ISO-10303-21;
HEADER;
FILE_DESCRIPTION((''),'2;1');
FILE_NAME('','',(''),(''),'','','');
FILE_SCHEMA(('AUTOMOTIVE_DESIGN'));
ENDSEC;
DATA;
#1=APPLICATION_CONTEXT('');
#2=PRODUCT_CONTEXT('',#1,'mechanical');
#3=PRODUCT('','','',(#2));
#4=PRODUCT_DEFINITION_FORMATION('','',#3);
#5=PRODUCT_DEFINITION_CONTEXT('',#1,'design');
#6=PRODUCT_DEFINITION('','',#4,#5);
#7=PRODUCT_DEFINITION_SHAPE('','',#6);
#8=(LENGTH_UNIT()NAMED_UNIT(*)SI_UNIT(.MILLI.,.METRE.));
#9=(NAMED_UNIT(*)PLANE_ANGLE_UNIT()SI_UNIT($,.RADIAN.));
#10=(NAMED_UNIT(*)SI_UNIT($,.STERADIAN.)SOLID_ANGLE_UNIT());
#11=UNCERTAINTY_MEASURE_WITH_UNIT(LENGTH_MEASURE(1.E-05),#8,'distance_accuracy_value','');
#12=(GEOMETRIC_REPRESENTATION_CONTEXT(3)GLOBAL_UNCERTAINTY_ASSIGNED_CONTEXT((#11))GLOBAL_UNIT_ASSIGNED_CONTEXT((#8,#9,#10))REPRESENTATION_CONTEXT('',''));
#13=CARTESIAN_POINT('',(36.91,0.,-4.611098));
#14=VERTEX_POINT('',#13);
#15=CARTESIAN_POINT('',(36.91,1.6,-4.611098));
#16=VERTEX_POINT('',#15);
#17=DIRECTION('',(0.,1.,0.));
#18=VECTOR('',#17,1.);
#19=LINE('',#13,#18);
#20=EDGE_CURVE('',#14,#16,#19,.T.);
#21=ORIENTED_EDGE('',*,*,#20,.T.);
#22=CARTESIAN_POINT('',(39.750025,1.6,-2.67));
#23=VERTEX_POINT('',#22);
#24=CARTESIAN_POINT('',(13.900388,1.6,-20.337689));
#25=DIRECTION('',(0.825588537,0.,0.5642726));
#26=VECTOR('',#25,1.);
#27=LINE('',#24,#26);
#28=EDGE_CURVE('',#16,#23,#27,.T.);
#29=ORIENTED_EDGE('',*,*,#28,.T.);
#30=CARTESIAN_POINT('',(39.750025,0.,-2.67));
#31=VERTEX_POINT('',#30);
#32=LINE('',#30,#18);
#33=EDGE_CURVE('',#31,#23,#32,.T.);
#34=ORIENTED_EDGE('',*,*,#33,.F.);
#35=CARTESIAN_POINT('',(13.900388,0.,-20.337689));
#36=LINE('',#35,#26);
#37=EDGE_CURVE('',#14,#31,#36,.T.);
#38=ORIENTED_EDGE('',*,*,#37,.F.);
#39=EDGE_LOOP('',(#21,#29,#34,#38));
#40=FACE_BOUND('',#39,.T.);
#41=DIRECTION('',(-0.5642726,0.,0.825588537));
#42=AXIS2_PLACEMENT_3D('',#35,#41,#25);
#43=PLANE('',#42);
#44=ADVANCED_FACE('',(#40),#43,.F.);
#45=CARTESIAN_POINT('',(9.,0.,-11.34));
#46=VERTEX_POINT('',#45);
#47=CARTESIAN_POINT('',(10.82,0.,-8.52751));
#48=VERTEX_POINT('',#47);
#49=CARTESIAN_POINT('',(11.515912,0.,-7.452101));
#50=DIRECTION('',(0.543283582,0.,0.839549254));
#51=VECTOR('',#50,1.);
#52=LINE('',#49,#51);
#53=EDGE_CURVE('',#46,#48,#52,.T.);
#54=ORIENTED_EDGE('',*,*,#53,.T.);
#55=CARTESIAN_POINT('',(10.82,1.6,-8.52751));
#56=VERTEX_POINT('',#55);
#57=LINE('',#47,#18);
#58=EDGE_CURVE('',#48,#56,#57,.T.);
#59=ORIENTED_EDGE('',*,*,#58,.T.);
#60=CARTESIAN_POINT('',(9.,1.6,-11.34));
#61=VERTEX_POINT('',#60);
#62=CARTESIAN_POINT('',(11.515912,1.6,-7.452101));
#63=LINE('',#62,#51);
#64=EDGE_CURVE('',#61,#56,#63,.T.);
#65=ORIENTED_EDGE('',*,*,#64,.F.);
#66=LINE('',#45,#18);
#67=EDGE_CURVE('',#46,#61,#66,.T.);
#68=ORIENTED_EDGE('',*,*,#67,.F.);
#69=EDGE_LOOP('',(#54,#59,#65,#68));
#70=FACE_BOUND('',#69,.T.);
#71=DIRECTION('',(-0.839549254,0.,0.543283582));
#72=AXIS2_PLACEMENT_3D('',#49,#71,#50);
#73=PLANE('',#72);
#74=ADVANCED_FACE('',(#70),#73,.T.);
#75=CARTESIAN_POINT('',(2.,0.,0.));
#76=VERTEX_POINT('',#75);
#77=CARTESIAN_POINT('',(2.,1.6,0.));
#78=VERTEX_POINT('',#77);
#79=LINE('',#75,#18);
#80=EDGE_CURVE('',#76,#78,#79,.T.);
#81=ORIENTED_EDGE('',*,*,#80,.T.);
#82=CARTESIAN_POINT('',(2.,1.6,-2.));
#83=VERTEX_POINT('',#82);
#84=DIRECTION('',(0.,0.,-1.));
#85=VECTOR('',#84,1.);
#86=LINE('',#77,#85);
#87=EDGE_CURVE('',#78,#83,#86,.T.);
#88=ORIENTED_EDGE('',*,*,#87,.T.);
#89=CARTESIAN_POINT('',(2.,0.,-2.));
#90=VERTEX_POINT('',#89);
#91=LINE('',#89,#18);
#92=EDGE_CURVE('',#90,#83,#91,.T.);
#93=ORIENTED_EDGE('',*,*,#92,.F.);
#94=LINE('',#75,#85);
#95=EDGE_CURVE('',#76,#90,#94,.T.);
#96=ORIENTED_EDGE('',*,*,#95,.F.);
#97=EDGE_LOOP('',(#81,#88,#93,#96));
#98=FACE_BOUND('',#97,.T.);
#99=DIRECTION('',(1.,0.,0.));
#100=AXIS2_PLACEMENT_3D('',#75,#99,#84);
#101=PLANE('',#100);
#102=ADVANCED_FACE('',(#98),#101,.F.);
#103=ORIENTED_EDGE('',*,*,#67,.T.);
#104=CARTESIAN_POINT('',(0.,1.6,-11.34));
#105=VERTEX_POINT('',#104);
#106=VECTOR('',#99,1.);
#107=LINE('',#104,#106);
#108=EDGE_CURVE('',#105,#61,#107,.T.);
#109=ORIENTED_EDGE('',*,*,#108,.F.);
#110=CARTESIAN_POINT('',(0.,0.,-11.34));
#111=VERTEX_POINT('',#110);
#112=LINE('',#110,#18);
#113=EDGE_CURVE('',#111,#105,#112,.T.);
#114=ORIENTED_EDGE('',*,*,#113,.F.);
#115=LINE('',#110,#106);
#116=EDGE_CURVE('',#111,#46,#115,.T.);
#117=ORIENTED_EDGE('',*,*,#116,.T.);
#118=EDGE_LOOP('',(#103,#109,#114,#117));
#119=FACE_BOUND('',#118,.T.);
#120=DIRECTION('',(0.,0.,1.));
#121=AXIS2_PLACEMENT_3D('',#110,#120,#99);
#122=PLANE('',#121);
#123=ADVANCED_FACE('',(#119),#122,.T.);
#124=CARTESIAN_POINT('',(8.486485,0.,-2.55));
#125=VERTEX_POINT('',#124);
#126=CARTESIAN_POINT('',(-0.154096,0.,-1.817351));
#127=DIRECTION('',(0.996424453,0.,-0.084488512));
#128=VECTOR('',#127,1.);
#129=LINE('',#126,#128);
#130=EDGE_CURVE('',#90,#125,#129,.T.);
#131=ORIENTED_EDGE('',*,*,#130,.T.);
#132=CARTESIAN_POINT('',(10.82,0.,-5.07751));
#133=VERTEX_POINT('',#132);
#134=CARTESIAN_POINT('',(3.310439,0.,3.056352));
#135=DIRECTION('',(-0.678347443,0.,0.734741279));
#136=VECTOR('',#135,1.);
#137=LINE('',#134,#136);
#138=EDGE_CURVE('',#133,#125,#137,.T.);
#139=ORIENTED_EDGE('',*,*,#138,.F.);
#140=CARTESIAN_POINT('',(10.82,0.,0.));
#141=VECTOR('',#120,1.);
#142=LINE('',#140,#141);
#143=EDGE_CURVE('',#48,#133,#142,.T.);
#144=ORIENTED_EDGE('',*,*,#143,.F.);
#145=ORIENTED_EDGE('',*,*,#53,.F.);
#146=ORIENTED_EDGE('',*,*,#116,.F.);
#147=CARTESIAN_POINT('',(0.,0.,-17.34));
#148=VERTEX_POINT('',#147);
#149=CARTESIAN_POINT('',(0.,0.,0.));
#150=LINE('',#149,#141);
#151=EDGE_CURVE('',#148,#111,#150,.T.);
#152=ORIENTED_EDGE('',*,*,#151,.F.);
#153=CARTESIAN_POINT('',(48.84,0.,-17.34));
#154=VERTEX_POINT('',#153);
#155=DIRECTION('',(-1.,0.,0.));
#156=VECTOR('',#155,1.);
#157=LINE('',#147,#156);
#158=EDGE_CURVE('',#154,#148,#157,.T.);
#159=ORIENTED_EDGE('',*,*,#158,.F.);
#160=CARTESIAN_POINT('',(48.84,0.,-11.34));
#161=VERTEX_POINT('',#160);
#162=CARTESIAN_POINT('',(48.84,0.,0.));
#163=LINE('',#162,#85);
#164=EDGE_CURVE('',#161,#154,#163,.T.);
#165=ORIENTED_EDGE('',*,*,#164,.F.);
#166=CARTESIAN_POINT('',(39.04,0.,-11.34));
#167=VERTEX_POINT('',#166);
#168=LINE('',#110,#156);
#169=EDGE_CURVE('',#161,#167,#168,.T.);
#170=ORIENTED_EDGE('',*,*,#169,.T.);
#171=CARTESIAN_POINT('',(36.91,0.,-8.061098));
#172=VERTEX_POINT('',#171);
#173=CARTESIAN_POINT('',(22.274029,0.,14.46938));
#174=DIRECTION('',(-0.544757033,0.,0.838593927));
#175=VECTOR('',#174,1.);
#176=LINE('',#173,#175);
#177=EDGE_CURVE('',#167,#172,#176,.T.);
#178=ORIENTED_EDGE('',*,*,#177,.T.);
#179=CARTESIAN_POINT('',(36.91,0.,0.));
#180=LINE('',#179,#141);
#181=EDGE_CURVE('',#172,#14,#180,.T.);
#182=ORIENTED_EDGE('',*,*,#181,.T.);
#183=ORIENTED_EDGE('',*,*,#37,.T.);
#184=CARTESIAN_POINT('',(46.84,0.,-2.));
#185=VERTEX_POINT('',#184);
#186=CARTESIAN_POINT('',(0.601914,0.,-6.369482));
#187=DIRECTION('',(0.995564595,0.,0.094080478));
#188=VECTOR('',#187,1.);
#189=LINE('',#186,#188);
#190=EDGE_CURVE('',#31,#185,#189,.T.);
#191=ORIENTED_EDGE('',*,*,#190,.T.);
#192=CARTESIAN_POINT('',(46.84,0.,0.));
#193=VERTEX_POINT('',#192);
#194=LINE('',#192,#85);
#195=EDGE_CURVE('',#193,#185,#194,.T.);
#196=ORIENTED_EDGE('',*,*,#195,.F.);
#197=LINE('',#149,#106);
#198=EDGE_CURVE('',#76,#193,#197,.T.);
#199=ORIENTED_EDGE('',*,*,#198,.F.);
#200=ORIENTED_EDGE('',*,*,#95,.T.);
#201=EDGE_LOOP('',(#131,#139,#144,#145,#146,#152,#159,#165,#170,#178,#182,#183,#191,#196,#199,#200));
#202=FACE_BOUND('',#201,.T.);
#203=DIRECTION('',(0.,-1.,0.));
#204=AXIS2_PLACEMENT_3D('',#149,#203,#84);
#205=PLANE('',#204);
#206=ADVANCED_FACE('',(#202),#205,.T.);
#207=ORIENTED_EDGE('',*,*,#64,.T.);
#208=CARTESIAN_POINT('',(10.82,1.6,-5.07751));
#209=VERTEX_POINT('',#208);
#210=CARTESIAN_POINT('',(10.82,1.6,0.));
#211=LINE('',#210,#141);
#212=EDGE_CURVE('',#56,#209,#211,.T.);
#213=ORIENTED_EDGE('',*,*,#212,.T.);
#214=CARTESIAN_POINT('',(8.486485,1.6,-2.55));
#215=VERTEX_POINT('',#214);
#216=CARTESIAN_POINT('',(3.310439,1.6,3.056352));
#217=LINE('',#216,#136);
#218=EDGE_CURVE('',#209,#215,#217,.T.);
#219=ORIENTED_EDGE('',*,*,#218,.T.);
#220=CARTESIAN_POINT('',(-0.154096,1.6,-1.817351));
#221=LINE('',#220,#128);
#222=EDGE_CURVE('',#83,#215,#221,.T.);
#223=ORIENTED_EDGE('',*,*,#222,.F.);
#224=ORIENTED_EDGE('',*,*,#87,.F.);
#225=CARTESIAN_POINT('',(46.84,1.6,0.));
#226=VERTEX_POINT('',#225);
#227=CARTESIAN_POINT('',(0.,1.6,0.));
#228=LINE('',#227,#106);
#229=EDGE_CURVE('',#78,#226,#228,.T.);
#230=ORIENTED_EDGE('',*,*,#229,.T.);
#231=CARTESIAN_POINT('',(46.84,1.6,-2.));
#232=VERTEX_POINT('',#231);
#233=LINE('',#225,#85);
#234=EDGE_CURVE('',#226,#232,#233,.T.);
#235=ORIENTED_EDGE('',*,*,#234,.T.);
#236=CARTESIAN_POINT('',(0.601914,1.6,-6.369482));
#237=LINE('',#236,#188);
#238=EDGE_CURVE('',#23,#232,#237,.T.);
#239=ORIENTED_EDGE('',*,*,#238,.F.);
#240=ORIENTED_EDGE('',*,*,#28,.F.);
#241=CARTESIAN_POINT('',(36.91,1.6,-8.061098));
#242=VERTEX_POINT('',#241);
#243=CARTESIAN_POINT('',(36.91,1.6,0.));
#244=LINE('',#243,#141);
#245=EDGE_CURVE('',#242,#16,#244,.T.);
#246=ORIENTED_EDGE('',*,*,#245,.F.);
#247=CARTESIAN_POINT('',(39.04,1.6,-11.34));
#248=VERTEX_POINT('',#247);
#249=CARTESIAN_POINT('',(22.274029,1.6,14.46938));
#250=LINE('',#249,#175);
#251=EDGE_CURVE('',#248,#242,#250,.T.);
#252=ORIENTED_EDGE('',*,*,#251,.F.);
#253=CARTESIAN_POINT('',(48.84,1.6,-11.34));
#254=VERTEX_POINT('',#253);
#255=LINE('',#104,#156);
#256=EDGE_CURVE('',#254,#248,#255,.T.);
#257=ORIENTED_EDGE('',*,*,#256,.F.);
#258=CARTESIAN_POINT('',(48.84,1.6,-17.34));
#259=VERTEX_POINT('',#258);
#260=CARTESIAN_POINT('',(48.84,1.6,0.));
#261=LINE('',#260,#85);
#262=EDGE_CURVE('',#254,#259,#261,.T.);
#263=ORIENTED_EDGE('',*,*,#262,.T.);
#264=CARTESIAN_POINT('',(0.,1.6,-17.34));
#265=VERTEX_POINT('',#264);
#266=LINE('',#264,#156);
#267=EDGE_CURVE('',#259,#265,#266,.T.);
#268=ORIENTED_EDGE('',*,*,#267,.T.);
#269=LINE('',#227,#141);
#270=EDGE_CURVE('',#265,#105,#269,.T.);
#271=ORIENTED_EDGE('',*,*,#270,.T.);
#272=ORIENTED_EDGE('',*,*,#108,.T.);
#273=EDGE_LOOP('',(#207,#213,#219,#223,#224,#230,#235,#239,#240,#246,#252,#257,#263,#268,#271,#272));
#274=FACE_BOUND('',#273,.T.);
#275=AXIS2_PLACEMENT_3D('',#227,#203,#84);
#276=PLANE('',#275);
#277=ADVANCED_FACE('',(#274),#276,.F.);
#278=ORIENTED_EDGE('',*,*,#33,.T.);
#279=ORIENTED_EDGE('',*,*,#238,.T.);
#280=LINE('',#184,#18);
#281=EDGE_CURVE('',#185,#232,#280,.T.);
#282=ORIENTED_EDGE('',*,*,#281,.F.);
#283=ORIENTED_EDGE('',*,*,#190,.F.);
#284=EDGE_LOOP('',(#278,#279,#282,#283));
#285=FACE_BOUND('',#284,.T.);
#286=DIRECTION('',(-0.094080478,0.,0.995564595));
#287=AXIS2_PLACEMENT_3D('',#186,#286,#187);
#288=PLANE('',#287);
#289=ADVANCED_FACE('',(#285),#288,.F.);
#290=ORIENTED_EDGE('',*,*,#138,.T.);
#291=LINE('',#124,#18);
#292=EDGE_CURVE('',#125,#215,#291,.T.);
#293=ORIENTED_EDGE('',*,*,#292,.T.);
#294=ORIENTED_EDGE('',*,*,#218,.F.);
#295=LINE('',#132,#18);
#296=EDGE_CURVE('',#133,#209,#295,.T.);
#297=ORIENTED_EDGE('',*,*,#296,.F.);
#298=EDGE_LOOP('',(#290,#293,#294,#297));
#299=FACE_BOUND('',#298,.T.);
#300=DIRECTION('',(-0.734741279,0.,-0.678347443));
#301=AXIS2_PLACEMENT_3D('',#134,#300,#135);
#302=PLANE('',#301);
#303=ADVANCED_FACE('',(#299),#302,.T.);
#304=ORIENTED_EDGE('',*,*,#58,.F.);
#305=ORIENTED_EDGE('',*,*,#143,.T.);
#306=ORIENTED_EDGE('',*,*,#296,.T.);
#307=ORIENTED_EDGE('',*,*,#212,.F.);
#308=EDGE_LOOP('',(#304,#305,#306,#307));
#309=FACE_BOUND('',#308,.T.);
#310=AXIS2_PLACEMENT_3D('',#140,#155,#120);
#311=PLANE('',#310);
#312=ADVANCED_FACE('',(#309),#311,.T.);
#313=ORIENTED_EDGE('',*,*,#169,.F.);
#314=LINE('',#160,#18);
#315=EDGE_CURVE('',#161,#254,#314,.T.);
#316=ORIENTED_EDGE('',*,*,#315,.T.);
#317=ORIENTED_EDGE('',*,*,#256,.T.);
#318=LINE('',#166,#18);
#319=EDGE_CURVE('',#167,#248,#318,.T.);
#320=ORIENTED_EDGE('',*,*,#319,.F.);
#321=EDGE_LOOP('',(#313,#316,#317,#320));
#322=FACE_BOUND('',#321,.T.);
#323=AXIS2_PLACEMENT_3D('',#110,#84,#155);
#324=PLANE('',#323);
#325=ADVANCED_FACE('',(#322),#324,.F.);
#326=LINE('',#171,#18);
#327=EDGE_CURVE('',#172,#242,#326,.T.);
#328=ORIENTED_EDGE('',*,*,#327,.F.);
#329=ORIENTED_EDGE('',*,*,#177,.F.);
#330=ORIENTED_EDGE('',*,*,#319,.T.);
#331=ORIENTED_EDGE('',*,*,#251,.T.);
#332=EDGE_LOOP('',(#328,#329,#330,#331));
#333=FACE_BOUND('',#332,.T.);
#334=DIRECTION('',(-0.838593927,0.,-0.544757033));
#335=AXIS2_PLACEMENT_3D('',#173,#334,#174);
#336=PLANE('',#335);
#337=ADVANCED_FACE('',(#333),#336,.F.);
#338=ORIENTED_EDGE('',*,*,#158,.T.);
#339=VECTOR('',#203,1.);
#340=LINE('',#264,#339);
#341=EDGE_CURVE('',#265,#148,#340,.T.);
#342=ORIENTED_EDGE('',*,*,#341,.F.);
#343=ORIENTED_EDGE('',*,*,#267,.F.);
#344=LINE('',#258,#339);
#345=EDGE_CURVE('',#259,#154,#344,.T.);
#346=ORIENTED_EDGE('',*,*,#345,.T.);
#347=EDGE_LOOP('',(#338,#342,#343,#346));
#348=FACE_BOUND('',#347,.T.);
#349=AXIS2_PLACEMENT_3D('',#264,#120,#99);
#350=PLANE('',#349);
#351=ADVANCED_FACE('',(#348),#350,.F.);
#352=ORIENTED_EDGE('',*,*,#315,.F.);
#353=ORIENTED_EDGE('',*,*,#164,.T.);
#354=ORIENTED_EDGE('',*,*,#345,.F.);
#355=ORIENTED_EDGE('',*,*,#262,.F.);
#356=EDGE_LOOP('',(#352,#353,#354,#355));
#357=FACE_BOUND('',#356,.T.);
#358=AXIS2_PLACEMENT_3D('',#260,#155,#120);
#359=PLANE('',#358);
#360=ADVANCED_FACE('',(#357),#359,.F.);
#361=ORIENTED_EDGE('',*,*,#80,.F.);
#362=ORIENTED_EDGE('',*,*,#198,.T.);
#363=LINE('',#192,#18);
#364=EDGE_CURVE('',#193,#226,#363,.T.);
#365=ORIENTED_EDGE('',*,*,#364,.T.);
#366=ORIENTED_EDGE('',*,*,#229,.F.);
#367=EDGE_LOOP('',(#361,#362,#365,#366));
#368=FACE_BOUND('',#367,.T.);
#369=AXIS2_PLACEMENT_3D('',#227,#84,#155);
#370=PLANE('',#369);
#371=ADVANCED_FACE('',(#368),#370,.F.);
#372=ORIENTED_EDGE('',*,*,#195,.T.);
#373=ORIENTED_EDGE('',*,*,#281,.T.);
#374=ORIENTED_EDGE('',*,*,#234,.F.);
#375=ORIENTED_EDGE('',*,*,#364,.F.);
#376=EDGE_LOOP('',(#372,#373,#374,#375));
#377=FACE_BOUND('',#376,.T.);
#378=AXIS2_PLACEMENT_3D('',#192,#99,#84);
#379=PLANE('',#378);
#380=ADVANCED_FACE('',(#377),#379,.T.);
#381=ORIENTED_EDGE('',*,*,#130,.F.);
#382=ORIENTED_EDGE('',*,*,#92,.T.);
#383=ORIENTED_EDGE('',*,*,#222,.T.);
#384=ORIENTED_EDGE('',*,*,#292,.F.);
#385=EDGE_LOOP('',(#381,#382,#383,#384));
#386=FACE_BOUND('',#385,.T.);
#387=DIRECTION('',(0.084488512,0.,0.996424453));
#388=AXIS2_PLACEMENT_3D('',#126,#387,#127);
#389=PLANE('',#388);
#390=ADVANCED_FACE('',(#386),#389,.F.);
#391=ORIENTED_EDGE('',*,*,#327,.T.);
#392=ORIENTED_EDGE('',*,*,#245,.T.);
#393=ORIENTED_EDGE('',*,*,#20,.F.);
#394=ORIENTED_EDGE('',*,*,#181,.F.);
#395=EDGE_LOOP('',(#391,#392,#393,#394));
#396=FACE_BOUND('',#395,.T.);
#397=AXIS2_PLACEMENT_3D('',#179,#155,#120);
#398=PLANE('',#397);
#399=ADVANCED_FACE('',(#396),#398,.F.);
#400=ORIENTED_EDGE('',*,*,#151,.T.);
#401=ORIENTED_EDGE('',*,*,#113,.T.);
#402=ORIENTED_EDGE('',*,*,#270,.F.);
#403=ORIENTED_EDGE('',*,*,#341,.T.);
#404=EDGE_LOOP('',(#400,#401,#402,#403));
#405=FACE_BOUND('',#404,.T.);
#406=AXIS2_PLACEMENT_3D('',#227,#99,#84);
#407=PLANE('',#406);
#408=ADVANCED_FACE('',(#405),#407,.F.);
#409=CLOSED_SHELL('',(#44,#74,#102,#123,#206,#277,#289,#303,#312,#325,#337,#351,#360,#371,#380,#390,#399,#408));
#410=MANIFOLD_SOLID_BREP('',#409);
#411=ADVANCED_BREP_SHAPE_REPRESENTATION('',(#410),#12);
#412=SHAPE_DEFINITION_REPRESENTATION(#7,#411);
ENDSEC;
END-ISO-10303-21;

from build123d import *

# Parameters (mm, degrees)
SKETCH1_W         = 48.84
SKETCH1_H         = 17.34
MAIN_SQUARE_DEPTH = 1.6
SERVO_HOLES_DEPTH = 1.6


with BuildPart() as part:
    # Sketch1 → main square (new body)
    with BuildSketch(Plane(origin=(0, 0, 0), x_dir=(1, 0, 0), z_dir=(0, 1, 0))):
        with Locations((24.42, 8.67)):
            Rectangle(SKETCH1_W, SKETCH1_H)
    extrude(amount=MAIN_SQUARE_DEPTH)

    # Sketch2 → servo holes (cut)
    with BuildSketch(Plane(origin=(0, 1.6, 0), x_dir=(1, 0, 0), z_dir=(0, 1, 0))):
        Polygon((46.84, 2), (46.84, 0), (48.84, 0), (48.84, 11.34), (39.04, 11.34), (36.91, 8.061097745), (36.91, 4.611097745), (39.750024568, 2.67), align=None)
        Polygon((9, 11.34), (0, 11.34), (0, 0), (2, 0), (2, 2), (8.486484798, 2.55), (10.82, 5.07751), (10.82, 8.52751), align=None)
    extrude(amount=-SERVO_HOLES_DEPTH, mode=Mode.SUBTRACT)


solid = part.part
